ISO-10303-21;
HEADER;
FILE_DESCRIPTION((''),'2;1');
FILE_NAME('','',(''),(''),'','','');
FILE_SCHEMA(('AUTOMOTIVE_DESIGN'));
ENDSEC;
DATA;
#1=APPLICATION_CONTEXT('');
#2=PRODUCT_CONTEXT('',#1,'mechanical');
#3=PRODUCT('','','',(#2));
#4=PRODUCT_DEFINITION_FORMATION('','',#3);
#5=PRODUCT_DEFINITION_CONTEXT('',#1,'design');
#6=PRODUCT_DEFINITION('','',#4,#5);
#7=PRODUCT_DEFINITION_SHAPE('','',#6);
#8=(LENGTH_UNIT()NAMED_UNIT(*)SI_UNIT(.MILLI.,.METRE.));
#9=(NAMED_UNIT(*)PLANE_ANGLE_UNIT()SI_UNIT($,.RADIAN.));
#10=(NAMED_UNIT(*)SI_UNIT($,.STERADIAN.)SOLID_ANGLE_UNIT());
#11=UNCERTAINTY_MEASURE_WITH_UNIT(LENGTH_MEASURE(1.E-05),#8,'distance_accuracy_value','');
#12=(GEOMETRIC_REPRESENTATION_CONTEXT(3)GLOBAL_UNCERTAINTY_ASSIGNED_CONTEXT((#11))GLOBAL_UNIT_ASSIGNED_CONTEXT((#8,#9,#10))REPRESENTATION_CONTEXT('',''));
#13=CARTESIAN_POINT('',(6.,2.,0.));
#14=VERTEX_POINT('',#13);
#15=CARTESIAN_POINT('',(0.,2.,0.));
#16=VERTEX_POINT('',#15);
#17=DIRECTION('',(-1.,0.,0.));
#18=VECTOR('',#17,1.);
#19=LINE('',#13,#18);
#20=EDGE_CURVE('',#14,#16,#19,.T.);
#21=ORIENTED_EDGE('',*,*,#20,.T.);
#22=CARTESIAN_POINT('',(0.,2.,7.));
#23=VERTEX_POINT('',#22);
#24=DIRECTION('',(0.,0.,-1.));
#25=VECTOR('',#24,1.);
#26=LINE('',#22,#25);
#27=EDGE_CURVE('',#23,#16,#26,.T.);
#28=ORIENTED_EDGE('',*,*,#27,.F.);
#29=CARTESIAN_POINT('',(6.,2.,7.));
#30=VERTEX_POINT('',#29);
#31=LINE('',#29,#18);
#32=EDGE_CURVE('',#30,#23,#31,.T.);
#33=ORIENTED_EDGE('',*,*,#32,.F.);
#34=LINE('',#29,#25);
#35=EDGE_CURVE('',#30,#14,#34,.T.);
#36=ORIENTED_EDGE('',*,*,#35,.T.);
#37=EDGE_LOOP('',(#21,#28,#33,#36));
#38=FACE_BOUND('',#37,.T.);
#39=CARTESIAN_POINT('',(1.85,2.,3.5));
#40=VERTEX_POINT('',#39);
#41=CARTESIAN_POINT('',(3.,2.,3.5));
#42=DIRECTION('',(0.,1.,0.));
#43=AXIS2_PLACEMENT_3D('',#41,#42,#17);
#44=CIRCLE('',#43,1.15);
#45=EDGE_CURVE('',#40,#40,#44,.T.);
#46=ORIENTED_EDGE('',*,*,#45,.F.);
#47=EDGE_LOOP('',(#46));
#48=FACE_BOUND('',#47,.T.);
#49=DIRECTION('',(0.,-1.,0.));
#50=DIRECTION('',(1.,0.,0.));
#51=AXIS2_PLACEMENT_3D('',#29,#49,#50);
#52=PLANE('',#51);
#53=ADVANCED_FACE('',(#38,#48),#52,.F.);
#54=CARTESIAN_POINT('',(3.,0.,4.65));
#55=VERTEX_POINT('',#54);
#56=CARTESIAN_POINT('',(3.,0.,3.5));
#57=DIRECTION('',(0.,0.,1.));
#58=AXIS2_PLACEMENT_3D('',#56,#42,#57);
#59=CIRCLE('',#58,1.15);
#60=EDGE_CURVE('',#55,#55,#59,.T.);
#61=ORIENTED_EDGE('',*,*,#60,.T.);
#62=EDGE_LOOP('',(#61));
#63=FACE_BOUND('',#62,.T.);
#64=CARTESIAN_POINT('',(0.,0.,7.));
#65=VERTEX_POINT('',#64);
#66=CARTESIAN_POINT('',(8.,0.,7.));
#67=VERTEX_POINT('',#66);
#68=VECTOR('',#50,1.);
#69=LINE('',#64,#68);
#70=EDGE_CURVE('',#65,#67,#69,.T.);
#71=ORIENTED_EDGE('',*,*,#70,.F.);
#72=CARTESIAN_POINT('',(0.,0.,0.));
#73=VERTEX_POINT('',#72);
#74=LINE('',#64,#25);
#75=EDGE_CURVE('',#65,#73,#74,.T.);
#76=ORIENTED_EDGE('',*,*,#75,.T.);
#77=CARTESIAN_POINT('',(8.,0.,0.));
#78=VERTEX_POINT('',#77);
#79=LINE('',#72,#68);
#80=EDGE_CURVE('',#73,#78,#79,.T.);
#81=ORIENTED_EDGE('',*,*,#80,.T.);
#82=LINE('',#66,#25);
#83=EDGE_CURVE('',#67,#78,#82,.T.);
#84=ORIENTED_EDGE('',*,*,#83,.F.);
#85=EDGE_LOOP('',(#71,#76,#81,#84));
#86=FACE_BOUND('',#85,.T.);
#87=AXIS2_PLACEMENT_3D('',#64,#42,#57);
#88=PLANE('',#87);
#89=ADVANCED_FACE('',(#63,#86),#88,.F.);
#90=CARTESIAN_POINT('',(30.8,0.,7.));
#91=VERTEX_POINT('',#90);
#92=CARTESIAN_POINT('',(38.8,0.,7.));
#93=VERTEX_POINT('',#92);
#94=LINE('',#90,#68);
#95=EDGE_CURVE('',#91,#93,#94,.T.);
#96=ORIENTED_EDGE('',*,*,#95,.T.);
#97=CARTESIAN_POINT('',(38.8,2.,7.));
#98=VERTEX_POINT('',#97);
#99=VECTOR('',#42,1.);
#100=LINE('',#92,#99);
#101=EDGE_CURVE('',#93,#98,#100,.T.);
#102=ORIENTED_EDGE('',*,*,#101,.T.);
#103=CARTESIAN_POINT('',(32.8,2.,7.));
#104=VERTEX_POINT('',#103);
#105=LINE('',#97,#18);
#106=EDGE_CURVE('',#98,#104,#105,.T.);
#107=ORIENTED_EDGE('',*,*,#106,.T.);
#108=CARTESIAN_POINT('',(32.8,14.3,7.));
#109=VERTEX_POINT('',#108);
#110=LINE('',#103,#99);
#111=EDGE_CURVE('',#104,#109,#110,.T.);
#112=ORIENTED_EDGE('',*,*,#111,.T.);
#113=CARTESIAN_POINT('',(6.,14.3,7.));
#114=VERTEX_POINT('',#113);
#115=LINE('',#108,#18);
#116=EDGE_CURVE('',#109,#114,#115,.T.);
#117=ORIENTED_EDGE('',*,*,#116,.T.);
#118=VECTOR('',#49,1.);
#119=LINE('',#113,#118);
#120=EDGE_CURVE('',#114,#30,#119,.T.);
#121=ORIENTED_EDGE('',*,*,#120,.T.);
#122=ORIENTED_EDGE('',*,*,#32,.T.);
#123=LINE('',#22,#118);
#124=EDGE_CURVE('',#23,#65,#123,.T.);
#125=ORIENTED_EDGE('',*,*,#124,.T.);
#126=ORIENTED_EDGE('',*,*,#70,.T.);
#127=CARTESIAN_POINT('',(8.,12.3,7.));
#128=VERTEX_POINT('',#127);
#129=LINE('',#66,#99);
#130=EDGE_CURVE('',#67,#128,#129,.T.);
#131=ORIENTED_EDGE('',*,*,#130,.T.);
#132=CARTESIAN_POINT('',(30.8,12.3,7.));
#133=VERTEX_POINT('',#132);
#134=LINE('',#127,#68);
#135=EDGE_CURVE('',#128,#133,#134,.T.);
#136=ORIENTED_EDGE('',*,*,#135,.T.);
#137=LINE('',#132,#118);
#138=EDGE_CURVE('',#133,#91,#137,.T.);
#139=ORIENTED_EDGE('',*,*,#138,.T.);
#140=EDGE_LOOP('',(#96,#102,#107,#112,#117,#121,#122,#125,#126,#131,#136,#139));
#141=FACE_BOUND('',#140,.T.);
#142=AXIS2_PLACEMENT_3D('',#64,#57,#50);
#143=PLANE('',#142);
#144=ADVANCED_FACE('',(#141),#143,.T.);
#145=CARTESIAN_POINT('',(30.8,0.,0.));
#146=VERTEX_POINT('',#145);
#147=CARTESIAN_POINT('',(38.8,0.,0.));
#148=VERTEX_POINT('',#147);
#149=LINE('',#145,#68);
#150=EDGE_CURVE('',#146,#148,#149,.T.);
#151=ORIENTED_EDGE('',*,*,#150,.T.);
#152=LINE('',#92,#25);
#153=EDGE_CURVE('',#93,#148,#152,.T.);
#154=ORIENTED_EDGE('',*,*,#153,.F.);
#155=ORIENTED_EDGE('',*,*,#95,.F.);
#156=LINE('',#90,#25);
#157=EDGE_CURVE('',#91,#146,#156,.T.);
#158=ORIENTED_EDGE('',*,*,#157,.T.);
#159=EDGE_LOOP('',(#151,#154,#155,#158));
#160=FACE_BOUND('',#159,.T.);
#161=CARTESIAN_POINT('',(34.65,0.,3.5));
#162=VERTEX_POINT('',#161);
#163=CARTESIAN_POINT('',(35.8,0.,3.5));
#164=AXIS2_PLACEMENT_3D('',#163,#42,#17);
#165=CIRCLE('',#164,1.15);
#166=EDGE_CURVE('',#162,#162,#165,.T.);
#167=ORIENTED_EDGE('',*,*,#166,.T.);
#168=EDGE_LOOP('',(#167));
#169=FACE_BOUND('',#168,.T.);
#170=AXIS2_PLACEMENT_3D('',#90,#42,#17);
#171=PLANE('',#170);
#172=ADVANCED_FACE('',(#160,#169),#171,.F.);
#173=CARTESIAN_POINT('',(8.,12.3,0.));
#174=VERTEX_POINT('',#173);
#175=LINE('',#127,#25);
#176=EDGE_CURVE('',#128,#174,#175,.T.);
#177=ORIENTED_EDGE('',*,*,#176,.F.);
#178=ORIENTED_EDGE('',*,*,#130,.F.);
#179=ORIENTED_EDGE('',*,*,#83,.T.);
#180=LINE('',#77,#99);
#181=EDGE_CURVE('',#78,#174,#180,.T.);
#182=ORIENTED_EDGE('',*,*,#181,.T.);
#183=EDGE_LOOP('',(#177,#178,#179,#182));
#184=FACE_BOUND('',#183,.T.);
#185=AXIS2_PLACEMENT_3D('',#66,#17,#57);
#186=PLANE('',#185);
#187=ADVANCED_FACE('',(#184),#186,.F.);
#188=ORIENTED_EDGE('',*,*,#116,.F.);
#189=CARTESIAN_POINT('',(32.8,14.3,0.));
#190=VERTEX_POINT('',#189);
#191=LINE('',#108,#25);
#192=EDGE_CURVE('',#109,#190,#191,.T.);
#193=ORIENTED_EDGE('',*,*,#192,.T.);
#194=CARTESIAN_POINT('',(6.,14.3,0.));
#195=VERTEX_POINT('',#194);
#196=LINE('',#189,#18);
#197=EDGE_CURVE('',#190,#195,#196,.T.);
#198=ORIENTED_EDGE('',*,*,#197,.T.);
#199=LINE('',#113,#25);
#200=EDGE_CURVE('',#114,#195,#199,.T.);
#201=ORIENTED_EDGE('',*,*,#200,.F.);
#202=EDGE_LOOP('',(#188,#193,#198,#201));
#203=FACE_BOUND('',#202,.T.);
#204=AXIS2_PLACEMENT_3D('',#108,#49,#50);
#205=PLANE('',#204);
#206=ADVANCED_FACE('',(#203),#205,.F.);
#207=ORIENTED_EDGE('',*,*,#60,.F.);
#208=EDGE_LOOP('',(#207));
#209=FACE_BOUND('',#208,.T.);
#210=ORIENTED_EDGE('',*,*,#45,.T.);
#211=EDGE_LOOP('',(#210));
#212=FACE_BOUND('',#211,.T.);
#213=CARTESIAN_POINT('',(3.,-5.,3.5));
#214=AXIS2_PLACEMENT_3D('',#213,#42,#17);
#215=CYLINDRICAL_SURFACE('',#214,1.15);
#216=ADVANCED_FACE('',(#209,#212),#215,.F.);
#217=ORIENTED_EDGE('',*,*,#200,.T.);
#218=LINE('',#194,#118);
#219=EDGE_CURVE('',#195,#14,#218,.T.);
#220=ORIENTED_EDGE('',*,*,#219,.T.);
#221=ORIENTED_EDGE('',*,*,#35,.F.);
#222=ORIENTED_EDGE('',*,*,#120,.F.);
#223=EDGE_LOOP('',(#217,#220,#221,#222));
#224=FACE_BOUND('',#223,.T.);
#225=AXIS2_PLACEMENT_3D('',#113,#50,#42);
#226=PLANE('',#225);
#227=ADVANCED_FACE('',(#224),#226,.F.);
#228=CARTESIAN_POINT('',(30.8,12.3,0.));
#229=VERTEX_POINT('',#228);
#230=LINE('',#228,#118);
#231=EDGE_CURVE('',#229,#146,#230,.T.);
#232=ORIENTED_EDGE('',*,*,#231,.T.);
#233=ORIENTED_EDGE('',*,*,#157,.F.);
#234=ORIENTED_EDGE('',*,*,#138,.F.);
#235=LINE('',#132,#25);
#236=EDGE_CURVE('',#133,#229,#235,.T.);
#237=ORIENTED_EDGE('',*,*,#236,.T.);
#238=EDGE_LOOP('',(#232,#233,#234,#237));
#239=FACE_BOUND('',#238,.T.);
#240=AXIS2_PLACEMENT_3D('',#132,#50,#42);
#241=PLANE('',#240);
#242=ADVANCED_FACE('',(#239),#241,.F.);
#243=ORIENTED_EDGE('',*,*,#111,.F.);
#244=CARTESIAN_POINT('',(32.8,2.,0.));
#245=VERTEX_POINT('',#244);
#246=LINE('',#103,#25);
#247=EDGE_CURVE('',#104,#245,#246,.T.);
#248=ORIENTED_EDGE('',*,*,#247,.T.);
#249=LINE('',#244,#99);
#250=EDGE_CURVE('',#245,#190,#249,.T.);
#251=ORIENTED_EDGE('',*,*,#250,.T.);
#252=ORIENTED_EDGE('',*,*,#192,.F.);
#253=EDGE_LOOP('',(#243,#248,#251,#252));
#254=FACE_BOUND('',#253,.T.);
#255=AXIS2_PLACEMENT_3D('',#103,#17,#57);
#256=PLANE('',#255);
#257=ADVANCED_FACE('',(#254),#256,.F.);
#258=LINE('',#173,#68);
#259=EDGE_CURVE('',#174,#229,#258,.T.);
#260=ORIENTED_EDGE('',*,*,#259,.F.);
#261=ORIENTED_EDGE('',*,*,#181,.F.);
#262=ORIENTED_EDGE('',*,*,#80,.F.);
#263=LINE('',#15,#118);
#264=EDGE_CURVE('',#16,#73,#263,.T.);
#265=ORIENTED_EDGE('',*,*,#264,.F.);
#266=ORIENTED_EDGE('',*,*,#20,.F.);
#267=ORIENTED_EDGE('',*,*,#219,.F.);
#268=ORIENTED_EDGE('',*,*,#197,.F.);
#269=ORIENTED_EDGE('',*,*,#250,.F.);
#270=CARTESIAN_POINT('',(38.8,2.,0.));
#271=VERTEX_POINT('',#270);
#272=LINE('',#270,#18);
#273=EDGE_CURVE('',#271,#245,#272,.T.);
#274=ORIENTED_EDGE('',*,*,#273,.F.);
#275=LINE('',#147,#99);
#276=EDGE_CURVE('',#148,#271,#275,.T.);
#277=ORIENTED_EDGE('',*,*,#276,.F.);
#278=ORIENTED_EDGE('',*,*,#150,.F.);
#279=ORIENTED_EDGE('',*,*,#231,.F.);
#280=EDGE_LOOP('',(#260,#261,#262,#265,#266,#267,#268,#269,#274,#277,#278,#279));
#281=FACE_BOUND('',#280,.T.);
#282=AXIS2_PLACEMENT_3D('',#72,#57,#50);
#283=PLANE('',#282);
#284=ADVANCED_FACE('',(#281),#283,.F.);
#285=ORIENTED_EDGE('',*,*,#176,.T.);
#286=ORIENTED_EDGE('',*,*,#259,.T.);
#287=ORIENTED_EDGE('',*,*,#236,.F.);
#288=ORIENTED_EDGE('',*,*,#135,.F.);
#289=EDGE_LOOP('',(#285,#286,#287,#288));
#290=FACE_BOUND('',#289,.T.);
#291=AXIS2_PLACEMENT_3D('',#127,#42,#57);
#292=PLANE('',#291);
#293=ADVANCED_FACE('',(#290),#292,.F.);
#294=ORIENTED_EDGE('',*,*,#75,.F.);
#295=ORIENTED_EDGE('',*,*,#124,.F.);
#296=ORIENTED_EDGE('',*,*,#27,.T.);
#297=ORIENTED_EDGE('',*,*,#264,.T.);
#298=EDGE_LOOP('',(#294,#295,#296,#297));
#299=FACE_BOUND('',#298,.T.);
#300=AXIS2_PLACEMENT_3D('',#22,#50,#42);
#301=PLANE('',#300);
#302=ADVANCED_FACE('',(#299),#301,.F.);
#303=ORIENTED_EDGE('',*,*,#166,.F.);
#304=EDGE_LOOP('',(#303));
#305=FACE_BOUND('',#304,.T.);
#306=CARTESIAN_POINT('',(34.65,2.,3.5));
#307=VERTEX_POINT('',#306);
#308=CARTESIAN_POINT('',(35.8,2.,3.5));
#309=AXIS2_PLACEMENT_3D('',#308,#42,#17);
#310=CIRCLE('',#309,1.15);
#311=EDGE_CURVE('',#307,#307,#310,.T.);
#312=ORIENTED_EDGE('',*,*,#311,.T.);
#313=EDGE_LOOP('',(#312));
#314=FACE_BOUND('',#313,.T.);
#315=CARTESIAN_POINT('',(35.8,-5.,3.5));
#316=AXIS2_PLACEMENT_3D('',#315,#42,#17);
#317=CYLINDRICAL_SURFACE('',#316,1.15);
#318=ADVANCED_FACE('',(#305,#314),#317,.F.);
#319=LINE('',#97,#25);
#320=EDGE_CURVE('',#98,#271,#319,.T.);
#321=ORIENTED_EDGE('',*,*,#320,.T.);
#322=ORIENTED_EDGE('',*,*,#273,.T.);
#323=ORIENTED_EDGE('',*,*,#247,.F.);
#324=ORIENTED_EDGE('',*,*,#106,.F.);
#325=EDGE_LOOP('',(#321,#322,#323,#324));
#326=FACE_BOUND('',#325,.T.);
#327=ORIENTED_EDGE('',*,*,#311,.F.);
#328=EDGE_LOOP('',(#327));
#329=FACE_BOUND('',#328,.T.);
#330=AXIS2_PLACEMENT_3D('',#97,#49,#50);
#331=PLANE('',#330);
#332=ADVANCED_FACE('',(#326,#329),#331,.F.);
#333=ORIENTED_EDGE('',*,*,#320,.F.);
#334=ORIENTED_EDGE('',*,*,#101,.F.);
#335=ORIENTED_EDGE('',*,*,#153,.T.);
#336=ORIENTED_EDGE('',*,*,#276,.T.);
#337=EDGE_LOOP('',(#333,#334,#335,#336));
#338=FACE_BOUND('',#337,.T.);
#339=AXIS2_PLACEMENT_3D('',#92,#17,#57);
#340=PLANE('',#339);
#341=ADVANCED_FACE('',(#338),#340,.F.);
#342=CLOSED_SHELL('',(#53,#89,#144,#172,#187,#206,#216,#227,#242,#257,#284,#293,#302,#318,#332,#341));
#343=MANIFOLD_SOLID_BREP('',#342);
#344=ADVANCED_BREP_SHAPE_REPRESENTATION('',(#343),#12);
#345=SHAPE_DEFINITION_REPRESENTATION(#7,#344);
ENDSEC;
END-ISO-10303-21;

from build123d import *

# Parameters (mm, degrees)
BOSS_EXTRUDE1_DEPTH = 7
SKETCH2_R           = 1.15
CUT_EXTRUDE1_DEPTH  = 7


with BuildPart() as part:
    # Sketch1 → Boss-Extrude1 (new body)
    with BuildSketch(Plane.XY):
        Polygon((0, 0), (8, 0), (8, 12.3), (30.8, 12.3), (30.8, 0), (38.8, 0), (38.8, 2), (32.8, 2), (32.8, 14.3), (6, 14.3), (6, 2), (0, 2), align=None)
    extrude(amount=BOSS_EXTRUDE1_DEPTH)

    # Sketch2 → Cut-Extrude1 (cut)
    with BuildSketch(Plane(origin=(0, 2, 0), x_dir=(1, 0, 0), z_dir=(0, 1, 0))):
        with Locations(Location((35.8, -3.5, 0), (0, 0, 180))):
            Circle(SKETCH2_R)
        with Locations(Location((3, -3.5, 0), (0, 0, 180))):
            Circle(SKETCH2_R)
    extrude(amount=-CUT_EXTRUDE1_DEPTH, mode=Mode.SUBTRACT)


solid = part.part
